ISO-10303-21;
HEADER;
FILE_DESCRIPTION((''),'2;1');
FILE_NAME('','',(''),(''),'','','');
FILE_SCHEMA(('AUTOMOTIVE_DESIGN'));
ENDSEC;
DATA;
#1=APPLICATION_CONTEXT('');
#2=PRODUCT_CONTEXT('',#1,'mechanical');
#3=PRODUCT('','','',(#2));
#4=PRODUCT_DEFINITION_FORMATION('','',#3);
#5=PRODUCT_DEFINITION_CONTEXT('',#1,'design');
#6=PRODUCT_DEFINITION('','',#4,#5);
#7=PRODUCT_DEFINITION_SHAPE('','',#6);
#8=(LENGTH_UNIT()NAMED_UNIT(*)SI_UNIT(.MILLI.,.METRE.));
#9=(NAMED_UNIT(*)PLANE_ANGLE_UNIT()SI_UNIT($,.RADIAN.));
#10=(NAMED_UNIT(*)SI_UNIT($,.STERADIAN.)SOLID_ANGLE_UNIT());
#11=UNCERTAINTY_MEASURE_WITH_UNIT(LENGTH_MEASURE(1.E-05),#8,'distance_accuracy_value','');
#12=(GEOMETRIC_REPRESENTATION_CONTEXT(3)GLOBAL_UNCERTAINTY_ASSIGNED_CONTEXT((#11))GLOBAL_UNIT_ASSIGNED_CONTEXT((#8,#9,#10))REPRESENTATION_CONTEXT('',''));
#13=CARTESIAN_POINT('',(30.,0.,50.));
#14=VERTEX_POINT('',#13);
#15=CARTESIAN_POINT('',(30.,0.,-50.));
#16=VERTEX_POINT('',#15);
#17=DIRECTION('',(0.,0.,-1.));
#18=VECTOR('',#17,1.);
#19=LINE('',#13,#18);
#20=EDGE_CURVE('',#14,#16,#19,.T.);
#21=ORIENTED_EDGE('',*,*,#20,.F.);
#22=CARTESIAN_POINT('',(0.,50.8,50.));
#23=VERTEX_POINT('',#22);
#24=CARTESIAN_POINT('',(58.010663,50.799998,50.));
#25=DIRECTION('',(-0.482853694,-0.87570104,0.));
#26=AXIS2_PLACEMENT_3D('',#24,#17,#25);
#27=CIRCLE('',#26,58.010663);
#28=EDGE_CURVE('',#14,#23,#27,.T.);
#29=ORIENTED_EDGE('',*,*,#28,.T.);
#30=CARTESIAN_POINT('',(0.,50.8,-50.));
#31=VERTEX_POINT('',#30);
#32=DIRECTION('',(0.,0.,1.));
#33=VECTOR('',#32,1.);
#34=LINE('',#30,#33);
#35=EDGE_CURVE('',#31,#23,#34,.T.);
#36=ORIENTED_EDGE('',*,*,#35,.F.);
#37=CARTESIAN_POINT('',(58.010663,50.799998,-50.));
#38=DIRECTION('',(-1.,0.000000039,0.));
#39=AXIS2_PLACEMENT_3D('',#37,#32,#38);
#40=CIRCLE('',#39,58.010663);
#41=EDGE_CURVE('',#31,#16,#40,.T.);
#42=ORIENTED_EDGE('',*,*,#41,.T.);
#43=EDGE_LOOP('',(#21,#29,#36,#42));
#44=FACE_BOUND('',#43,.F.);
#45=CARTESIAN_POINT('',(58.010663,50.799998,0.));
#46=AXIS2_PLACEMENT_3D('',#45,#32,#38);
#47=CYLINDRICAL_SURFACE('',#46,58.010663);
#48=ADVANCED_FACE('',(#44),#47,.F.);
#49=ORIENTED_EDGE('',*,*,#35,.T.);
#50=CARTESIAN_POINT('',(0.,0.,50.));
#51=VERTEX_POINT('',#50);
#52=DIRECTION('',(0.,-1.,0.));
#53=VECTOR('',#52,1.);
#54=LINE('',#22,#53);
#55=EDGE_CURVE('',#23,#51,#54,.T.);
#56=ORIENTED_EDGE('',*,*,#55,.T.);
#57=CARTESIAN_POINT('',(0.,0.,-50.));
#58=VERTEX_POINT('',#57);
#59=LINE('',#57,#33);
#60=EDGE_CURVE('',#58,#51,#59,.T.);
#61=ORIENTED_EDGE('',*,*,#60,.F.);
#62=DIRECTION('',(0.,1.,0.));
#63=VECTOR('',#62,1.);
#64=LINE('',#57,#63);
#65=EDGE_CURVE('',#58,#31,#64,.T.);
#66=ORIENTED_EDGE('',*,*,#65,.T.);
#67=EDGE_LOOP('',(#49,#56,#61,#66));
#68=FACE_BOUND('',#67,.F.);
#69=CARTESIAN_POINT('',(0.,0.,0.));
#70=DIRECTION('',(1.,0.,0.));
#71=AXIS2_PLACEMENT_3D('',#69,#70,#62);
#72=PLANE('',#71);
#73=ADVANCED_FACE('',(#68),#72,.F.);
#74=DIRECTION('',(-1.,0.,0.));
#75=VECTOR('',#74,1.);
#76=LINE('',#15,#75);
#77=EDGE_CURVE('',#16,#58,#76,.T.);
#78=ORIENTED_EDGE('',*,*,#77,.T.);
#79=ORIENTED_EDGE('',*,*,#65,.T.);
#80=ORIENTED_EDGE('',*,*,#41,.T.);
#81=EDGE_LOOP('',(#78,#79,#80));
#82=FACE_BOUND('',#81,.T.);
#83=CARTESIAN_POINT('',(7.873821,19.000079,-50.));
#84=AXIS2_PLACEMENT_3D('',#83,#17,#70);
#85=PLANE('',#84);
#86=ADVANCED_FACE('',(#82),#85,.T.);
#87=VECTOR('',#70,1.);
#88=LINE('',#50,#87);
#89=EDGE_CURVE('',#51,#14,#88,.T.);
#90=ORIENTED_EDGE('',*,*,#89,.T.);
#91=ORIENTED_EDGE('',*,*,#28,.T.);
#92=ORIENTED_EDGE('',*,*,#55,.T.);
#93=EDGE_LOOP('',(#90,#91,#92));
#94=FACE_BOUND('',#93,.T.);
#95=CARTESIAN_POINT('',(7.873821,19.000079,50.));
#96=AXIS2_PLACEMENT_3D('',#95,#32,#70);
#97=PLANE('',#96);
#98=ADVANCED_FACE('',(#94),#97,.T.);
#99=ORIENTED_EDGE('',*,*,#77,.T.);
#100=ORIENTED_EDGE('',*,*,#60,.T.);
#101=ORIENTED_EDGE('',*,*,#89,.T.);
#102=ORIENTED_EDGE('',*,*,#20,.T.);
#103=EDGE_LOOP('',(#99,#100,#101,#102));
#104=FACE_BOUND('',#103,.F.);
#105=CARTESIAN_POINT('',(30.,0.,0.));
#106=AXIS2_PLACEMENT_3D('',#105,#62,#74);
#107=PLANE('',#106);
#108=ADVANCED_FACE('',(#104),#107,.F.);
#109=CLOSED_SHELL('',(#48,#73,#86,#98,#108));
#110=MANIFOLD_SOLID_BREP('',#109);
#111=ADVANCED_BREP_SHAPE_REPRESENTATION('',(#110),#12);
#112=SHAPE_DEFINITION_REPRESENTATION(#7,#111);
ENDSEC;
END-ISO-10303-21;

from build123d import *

# Parameters (mm, degrees)
F1_DEPTH = 50
F2_DEPTH = 50


with BuildPart() as f1:
    # F0 (on Top) → F1 (new body)
    with BuildSketch(Plane.XY):
        with BuildLine():
            ThreePointArc((30, 0), (8.059916, 21.301525), (0, 50.8))
            Line((0, 50.8), (0, 0))
            Line((0, 0), (30, 0))
        make_face()
    extrude(amount=F1_DEPTH)

    # F1_face (on face) → F2 (join)
    with BuildSketch(Plane(origin=(8.387747, 11.952737, 0), x_dir=(1, 0, 0), z_dir=(0, 0, -1))):
        with BuildLine():
            ThreePointArc((-8.387747, -38.847263), (-0.327831, -9.348788), (21.612253, 11.952737))
            Line((21.612253, 11.952737), (-8.387747, 11.952737))
            Line((-8.387747, 11.952737), (-8.387747, -38.847263))
        make_face()
    extrude(amount=F2_DEPTH)


solid = f1.part
